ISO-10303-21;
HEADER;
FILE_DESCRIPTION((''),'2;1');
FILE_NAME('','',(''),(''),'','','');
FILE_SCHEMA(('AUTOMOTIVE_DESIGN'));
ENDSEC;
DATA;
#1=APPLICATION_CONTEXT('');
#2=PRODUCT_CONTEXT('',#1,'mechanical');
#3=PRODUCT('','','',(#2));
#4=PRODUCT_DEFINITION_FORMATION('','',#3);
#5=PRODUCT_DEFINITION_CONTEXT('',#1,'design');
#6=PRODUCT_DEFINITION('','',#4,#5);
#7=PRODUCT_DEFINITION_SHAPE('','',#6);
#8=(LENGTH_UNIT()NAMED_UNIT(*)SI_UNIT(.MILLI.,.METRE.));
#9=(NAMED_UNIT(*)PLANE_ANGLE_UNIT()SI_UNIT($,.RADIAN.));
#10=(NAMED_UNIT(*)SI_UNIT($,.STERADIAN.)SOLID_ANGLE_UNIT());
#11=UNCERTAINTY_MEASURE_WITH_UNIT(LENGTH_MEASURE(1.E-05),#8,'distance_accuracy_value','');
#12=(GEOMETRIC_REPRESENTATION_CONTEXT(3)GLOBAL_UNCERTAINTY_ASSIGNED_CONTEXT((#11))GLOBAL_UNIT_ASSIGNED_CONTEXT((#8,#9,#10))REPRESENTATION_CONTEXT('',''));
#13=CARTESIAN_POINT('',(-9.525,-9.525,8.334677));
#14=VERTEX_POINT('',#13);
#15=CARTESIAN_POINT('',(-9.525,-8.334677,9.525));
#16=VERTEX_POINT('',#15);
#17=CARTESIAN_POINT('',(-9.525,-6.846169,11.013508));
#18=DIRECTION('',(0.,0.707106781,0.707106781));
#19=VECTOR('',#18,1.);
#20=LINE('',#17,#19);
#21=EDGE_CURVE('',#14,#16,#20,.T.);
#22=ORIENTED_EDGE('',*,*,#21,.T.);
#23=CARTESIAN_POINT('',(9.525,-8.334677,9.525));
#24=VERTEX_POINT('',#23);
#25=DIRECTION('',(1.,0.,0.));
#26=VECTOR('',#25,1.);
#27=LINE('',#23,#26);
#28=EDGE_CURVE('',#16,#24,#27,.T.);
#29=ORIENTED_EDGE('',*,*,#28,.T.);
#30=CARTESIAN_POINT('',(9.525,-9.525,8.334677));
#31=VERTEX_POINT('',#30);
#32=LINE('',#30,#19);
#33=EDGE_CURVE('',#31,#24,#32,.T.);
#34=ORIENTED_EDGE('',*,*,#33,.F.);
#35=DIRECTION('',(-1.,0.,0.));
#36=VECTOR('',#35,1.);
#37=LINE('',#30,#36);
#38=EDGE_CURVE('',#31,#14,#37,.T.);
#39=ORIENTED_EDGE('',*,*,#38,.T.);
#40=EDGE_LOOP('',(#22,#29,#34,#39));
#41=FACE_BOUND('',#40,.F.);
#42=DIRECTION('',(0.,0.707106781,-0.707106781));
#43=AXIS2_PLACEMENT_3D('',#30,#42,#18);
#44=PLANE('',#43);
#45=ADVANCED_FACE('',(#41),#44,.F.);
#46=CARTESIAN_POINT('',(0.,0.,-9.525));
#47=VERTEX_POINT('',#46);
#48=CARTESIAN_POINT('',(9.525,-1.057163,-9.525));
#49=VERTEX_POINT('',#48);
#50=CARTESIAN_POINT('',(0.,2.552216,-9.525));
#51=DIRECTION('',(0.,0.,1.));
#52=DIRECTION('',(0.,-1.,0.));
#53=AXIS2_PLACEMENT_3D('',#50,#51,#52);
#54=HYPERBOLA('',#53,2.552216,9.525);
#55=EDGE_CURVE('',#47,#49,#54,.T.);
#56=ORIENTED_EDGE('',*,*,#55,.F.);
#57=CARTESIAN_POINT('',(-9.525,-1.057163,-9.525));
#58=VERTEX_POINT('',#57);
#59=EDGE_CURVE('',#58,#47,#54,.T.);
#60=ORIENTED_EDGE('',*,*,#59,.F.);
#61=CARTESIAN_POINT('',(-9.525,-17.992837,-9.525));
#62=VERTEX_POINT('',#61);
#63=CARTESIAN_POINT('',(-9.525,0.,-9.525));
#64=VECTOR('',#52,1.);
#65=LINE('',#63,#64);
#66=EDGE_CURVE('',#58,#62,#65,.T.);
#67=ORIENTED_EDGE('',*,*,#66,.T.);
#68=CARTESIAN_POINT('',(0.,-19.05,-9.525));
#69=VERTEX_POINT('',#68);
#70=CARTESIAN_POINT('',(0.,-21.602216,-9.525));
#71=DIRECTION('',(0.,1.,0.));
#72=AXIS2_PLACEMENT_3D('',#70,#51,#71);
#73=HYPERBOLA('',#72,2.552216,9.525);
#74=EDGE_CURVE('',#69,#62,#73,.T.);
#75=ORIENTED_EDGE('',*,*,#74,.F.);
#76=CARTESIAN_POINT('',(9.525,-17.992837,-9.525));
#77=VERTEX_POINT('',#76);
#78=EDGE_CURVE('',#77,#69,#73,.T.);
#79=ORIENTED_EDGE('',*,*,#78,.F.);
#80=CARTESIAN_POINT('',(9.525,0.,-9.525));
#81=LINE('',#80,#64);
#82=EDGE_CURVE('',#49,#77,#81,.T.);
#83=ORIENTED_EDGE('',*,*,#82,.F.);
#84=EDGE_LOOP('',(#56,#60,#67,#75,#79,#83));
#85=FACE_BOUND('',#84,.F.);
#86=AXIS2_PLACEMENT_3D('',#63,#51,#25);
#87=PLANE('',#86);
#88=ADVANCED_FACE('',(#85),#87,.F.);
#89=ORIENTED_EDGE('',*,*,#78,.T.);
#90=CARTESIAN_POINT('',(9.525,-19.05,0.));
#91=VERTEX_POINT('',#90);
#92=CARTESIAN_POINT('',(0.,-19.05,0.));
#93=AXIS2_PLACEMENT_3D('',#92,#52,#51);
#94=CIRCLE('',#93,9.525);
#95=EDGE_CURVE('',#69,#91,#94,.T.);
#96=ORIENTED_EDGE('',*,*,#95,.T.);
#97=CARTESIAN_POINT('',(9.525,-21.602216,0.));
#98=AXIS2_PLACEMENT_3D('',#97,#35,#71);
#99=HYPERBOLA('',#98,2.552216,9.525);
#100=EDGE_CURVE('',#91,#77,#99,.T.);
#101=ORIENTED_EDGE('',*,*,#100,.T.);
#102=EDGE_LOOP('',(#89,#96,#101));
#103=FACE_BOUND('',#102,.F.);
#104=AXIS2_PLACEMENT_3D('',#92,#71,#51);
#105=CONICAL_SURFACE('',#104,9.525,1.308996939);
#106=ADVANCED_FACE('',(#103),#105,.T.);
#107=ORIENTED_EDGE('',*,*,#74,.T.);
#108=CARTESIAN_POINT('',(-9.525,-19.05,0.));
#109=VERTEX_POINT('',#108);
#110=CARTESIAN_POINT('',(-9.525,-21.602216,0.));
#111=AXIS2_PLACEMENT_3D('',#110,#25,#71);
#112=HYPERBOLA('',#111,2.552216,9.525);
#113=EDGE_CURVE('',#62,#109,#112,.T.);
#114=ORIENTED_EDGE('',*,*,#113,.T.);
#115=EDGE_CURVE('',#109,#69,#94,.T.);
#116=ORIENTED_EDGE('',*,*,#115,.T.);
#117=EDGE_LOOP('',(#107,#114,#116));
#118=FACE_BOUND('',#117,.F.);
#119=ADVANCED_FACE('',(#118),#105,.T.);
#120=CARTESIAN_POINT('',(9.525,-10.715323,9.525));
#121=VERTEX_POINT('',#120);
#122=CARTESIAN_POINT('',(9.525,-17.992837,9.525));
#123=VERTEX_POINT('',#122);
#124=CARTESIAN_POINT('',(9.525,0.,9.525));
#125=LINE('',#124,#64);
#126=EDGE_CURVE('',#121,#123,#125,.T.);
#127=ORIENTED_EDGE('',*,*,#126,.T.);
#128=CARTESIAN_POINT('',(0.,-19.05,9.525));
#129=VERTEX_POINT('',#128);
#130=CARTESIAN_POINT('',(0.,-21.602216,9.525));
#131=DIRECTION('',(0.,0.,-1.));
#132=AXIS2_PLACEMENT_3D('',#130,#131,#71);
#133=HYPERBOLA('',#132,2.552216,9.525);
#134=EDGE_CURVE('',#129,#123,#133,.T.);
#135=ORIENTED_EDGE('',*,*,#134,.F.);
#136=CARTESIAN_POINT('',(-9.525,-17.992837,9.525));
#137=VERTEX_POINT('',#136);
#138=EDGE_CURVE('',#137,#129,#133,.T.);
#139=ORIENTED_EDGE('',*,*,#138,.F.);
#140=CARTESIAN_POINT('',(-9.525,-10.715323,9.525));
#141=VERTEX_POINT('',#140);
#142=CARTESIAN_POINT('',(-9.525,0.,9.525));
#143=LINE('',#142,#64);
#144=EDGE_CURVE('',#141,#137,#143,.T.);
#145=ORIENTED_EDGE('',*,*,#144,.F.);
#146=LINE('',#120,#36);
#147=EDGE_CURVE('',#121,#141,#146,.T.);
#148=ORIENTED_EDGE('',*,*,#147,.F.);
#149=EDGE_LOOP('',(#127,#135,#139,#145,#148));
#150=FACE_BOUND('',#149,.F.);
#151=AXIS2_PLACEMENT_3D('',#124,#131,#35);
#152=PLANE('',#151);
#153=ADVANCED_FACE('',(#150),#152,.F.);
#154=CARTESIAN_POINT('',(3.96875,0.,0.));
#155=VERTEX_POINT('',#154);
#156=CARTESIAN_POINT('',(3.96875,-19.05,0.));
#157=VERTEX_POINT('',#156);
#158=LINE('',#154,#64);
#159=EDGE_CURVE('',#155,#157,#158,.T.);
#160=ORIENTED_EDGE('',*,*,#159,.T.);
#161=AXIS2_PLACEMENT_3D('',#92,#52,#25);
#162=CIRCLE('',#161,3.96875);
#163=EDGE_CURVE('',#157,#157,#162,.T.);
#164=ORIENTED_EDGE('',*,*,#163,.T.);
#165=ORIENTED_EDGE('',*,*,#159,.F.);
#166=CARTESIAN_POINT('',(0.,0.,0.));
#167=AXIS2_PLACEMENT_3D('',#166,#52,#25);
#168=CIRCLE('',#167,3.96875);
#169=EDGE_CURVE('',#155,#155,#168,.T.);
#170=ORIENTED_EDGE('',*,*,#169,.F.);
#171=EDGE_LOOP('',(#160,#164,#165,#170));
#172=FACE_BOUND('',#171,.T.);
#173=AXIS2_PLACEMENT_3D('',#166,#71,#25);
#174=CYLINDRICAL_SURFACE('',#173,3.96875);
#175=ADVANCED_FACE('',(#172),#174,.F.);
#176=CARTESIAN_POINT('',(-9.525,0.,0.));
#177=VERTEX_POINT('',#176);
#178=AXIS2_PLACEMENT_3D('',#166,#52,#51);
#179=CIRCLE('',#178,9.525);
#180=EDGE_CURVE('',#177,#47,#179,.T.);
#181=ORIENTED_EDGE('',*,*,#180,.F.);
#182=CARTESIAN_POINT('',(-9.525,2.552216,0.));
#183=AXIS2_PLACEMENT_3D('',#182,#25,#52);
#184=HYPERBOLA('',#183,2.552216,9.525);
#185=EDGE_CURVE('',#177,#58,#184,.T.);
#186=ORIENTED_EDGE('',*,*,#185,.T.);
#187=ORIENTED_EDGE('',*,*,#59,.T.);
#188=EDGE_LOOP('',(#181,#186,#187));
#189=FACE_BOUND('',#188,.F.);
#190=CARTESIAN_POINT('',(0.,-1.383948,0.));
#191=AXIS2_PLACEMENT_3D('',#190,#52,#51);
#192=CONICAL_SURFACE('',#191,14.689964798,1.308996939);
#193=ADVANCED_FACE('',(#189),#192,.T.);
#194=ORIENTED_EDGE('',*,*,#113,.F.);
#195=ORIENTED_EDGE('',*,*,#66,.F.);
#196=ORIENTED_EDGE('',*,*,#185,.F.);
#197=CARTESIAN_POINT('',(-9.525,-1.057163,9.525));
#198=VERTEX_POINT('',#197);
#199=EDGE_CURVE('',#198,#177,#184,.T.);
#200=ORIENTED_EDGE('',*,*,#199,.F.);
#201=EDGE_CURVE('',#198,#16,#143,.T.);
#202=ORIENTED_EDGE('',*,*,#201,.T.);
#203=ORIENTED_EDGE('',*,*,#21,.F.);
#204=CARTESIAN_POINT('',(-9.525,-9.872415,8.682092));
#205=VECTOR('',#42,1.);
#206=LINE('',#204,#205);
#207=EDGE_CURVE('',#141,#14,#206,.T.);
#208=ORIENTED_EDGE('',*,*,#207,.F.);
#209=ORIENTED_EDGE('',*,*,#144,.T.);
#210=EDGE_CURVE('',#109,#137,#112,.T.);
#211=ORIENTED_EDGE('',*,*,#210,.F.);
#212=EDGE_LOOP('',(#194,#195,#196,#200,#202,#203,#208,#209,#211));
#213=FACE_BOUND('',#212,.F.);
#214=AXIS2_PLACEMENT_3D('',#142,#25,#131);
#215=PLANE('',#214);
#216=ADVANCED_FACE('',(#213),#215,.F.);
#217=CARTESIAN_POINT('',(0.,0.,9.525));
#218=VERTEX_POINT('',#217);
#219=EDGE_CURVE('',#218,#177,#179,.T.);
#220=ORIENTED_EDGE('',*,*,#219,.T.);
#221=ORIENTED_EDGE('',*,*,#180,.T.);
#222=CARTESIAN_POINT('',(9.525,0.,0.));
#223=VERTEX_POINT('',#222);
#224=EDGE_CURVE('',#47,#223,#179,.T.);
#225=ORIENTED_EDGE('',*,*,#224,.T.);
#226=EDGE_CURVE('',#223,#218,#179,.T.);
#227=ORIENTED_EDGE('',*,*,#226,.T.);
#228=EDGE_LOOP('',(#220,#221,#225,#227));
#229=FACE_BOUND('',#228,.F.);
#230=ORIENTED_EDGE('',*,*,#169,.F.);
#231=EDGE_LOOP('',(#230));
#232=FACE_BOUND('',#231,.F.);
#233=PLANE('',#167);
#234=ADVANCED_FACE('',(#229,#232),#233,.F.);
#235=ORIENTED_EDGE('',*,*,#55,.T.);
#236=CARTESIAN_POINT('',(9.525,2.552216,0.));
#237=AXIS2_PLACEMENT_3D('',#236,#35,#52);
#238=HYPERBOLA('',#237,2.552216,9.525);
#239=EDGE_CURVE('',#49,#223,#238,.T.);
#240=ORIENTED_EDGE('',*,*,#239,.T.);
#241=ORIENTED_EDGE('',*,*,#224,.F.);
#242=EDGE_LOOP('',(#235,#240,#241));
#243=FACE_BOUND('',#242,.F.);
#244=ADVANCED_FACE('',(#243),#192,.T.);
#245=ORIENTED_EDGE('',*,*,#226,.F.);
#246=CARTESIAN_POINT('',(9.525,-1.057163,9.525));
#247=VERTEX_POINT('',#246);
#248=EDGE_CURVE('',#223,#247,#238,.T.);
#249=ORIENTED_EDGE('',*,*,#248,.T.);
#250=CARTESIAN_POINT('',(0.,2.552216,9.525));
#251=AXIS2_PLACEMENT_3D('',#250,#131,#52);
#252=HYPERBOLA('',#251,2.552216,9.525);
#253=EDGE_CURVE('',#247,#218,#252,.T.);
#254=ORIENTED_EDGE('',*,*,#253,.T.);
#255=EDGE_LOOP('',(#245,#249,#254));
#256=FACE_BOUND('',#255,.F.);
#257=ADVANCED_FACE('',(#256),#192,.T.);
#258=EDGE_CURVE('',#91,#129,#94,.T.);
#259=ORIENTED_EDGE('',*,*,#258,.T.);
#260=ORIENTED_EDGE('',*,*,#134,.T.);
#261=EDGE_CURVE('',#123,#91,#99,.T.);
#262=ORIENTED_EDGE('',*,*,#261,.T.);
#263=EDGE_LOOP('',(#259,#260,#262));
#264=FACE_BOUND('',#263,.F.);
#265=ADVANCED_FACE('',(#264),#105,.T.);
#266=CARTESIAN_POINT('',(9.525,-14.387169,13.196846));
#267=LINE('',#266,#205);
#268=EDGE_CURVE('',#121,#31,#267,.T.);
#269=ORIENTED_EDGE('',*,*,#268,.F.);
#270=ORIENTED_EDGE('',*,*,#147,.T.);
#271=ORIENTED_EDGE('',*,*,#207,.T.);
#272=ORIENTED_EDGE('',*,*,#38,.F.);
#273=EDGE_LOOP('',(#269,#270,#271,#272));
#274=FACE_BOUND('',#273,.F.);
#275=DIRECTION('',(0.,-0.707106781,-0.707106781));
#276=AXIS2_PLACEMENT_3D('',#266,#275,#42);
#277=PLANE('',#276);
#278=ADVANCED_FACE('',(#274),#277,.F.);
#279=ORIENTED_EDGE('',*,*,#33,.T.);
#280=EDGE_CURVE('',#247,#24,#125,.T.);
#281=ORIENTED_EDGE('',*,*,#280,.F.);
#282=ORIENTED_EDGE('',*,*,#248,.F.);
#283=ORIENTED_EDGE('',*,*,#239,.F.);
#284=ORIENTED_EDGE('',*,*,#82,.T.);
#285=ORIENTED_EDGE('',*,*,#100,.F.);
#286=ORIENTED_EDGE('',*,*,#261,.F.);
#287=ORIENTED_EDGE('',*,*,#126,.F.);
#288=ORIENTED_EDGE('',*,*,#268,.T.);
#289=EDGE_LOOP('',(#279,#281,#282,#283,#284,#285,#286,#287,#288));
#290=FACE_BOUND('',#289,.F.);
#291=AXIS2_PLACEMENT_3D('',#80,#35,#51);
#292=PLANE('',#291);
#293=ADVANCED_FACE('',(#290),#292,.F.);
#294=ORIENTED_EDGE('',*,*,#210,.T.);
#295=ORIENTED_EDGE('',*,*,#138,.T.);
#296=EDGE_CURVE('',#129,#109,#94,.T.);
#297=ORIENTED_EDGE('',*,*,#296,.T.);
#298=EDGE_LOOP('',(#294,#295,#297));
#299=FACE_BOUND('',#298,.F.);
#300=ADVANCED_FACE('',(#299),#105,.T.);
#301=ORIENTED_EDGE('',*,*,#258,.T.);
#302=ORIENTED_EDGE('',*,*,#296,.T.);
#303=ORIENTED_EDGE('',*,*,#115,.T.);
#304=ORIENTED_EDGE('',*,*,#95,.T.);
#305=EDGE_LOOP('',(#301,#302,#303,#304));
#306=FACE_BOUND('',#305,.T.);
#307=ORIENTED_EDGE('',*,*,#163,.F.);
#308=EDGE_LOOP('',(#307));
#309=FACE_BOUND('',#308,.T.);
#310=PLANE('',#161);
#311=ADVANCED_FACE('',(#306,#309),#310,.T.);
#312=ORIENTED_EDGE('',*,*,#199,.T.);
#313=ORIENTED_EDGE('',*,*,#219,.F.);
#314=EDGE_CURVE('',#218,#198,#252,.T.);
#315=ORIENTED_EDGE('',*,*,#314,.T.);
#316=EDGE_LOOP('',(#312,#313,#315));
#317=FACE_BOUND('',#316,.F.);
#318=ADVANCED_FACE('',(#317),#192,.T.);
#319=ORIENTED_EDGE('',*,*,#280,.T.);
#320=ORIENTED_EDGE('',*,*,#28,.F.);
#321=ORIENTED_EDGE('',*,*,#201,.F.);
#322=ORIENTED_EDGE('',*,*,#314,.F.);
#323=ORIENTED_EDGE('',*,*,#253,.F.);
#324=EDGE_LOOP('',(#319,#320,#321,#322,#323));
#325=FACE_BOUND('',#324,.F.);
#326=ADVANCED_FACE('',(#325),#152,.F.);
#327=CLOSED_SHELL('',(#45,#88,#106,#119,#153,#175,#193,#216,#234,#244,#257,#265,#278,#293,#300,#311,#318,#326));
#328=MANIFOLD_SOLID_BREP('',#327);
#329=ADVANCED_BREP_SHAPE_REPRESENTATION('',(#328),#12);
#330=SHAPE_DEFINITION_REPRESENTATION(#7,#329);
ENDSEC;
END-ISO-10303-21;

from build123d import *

# Parameters (mm, degrees)
F0_R     = 3.96875
F1_DEPTH = 19.05
F3_DEPTH = 127


with BuildPart() as f1:
    # F0 (on Front) → F1 (new body)
    with BuildSketch(Plane.XZ):
        with BuildLine():
            ThreePointArc((0, -9.525), (6.7351920908, -6.7351920908), (9.525, 0))
            ThreePointArc((9.525, 0), (6.7351920908, 6.7351920908), (0, 9.525))
            ThreePointArc((0, 9.525), (-6.7351920908, 6.7351920908), (-9.525, 0))
            ThreePointArc((-9.525, 0), (-6.7351920908, -6.7351920908), (0, -9.525))
        make_face()
        Circle(F0_R, mode=Mode.SUBTRACT)
        with BuildLine():
            Line((9.525, -9.525), (9.525, 0))
            ThreePointArc((9.525, 0), (6.7351920908, -6.7351920908), (0, -9.525))
            Line((0, -9.525), (9.525, -9.525))
        make_face()
        with BuildLine():
            ThreePointArc((0, 9.525), (6.7351920908, 6.7351920908), (9.525, 0))
            Line((9.525, 0), (9.525, 9.525))
            Line((9.525, 9.525), (0, 9.525))
        make_face()
        with BuildLine():
            ThreePointArc((-9.525, 0), (-6.7351920908, 6.7351920908), (0, 9.525))
            Line((0, 9.525), (-9.525, 9.525))
            Line((-9.525, 9.525), (-9.525, 0))
        make_face()
        with BuildLine():
            Line((-9.525, -9.525), (0, -9.525))
            ThreePointArc((0, -9.525), (-6.7351920908, -6.7351920908), (-9.525, 0))
            Line((-9.525, 0), (-9.525, -9.525))
        make_face()
    extrude(amount=F1_DEPTH)

    # F2 (on face) → F3 (cut)
    with BuildSketch(Plane.YZ.offset(9.525)):
        Polygon((-14.3871692356, 13.1968459708), (-9.525, 8.3346767351), (-4.6628307644, 13.1968459708), align=None)
    extrude(amount=-F3_DEPTH, mode=Mode.SUBTRACT)

    # F4 (on Right) → F5 (revolve, cut)
    with BuildSketch(Plane.YZ):
        Polygon((-19.05, 15.1654964413), (-19.05, 9.525), (-17.5386335336, 15.1654964413), align=None)
    revolve(axis=Axis((0, -19.05, 0), (0, -1, 0)), mode=Mode.SUBTRACT)

    # F6 (on Right) → F7 (revolve, cut)
    with BuildSketch(Plane.YZ):
        Polygon((-1.3839481467, 14.6899647984), (0, 9.525), (0, 14.6899647984), align=None)
    revolve(axis=Axis((0, 0, 0), (0, -1, 0)), mode=Mode.SUBTRACT)


solid = f1.part
